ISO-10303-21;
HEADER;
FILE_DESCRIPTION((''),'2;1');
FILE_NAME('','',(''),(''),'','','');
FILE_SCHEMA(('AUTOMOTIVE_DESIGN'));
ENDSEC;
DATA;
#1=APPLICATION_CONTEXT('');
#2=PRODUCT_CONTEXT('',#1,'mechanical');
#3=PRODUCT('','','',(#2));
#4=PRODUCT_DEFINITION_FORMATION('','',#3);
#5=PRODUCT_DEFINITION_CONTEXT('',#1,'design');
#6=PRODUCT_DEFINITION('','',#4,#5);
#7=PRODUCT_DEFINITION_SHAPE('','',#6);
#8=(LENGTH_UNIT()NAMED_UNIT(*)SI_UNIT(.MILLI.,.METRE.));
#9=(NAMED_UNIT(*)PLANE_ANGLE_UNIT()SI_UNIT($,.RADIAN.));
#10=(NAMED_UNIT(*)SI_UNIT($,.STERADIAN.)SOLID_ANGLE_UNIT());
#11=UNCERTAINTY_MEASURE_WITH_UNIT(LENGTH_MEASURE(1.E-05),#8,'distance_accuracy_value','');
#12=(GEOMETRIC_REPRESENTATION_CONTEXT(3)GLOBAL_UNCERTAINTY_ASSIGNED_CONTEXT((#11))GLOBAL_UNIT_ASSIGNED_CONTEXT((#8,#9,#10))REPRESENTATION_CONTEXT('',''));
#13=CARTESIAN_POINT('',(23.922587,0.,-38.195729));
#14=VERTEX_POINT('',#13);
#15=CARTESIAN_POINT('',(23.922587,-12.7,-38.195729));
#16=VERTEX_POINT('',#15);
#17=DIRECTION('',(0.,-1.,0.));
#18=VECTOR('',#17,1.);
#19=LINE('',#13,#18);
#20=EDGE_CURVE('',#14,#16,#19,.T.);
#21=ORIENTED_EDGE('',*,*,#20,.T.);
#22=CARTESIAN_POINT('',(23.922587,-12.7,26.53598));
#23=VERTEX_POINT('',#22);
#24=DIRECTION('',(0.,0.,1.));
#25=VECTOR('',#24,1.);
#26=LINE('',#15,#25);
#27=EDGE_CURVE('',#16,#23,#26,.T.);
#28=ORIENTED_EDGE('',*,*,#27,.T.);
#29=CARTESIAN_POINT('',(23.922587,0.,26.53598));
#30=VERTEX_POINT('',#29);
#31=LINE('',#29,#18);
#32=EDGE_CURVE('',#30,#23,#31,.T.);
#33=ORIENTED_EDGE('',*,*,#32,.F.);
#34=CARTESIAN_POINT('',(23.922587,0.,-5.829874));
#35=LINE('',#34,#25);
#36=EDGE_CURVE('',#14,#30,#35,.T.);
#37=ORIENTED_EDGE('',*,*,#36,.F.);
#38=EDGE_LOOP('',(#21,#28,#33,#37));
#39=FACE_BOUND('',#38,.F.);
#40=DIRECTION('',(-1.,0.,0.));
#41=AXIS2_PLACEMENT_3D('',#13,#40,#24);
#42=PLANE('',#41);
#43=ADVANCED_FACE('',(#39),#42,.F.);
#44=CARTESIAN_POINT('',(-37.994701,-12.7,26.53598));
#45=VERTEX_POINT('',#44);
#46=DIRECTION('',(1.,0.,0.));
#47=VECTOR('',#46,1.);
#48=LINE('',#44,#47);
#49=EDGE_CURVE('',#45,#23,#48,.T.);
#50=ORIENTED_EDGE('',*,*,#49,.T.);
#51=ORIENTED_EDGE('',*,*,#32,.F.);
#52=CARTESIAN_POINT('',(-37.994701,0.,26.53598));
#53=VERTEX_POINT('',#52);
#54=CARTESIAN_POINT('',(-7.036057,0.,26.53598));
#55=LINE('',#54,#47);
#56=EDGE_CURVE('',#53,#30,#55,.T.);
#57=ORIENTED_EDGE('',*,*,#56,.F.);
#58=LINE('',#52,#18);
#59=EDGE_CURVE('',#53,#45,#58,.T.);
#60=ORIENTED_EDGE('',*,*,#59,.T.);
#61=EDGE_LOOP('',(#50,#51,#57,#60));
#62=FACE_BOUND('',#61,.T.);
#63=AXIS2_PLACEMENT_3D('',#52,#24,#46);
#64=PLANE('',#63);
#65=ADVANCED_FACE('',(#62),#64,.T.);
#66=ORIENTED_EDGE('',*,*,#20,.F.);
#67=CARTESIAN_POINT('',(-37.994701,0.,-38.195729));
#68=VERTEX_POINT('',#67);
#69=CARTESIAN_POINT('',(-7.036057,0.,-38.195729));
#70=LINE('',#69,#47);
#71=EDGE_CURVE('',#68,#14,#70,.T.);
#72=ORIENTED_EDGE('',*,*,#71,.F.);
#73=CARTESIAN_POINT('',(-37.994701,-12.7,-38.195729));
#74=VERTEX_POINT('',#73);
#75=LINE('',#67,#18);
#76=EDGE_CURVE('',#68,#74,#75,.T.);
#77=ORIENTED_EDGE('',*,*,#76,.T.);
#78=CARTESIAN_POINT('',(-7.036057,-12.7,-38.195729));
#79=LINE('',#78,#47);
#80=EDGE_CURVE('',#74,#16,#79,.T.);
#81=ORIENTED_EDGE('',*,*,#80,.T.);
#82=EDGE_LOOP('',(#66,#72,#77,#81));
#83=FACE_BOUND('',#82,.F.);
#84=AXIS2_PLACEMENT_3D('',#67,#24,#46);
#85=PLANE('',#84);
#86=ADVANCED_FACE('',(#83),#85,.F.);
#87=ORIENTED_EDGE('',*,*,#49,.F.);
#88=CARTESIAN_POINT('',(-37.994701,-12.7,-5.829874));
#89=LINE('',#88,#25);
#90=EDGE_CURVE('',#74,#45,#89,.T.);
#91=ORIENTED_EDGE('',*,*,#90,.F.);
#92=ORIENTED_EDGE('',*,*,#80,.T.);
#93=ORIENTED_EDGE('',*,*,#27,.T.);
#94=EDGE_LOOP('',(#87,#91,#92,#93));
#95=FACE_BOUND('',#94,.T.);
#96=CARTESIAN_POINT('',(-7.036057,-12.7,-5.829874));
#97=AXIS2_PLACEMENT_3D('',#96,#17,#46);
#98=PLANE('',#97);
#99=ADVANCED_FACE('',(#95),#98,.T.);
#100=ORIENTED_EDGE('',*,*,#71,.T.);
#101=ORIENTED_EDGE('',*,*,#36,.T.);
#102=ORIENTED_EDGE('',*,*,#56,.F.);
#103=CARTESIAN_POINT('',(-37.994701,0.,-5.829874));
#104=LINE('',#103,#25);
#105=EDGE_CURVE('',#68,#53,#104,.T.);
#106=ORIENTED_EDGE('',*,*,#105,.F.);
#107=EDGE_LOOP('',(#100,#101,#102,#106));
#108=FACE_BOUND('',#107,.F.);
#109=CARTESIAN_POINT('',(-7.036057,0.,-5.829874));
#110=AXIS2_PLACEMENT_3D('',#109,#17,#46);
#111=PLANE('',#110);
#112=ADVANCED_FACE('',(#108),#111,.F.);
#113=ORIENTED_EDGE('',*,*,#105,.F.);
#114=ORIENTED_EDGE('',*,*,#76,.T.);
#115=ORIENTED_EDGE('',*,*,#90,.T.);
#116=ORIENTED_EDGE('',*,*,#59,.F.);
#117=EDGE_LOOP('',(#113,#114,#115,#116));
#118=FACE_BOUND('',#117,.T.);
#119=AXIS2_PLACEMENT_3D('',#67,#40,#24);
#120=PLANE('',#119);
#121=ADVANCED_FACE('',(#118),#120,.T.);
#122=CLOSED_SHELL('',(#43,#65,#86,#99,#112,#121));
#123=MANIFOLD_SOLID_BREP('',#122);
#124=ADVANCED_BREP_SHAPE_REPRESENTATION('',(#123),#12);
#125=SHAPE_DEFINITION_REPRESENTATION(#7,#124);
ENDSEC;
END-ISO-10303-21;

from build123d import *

# Parameters (mm, degrees)
F0_W      = 61.9172882289
F0_H      = 64.7317096591
F1_DEPTH  = 25.4
F1_FACE_W = 61.9172882289
F1_FACE_H = 64.7317096591
F2_W      = 43.8656769693
F2_H      = 53.2593671232
F3_DEPTH  = 12.7


with BuildPart() as f1:
    # F0 (on Front) → F1 (new body)
    with BuildSketch(Plane.XZ):
        with Locations((-7.0360573009, -5.8298744261)):
            Rectangle(F0_W, F0_H)
    extrude(amount=F1_DEPTH)

    # F1_face (on face) + F2 (on face) → F3 (cut)
    with BuildSketch(Plane(origin=(-7.0360573009, -25.4, -5.8298744261), x_dir=(1, 0, 0), z_dir=(0, -1, 0))):
        Rectangle(F1_FACE_W, F1_FACE_H)
    with BuildSketch(Plane.XZ.offset(25.4)):
        with Locations((1.9897483289, -0.0937031582)):
            Rectangle(F2_W, F2_H)
    extrude(amount=-F3_DEPTH, mode=Mode.SUBTRACT)


solid = f1.part
